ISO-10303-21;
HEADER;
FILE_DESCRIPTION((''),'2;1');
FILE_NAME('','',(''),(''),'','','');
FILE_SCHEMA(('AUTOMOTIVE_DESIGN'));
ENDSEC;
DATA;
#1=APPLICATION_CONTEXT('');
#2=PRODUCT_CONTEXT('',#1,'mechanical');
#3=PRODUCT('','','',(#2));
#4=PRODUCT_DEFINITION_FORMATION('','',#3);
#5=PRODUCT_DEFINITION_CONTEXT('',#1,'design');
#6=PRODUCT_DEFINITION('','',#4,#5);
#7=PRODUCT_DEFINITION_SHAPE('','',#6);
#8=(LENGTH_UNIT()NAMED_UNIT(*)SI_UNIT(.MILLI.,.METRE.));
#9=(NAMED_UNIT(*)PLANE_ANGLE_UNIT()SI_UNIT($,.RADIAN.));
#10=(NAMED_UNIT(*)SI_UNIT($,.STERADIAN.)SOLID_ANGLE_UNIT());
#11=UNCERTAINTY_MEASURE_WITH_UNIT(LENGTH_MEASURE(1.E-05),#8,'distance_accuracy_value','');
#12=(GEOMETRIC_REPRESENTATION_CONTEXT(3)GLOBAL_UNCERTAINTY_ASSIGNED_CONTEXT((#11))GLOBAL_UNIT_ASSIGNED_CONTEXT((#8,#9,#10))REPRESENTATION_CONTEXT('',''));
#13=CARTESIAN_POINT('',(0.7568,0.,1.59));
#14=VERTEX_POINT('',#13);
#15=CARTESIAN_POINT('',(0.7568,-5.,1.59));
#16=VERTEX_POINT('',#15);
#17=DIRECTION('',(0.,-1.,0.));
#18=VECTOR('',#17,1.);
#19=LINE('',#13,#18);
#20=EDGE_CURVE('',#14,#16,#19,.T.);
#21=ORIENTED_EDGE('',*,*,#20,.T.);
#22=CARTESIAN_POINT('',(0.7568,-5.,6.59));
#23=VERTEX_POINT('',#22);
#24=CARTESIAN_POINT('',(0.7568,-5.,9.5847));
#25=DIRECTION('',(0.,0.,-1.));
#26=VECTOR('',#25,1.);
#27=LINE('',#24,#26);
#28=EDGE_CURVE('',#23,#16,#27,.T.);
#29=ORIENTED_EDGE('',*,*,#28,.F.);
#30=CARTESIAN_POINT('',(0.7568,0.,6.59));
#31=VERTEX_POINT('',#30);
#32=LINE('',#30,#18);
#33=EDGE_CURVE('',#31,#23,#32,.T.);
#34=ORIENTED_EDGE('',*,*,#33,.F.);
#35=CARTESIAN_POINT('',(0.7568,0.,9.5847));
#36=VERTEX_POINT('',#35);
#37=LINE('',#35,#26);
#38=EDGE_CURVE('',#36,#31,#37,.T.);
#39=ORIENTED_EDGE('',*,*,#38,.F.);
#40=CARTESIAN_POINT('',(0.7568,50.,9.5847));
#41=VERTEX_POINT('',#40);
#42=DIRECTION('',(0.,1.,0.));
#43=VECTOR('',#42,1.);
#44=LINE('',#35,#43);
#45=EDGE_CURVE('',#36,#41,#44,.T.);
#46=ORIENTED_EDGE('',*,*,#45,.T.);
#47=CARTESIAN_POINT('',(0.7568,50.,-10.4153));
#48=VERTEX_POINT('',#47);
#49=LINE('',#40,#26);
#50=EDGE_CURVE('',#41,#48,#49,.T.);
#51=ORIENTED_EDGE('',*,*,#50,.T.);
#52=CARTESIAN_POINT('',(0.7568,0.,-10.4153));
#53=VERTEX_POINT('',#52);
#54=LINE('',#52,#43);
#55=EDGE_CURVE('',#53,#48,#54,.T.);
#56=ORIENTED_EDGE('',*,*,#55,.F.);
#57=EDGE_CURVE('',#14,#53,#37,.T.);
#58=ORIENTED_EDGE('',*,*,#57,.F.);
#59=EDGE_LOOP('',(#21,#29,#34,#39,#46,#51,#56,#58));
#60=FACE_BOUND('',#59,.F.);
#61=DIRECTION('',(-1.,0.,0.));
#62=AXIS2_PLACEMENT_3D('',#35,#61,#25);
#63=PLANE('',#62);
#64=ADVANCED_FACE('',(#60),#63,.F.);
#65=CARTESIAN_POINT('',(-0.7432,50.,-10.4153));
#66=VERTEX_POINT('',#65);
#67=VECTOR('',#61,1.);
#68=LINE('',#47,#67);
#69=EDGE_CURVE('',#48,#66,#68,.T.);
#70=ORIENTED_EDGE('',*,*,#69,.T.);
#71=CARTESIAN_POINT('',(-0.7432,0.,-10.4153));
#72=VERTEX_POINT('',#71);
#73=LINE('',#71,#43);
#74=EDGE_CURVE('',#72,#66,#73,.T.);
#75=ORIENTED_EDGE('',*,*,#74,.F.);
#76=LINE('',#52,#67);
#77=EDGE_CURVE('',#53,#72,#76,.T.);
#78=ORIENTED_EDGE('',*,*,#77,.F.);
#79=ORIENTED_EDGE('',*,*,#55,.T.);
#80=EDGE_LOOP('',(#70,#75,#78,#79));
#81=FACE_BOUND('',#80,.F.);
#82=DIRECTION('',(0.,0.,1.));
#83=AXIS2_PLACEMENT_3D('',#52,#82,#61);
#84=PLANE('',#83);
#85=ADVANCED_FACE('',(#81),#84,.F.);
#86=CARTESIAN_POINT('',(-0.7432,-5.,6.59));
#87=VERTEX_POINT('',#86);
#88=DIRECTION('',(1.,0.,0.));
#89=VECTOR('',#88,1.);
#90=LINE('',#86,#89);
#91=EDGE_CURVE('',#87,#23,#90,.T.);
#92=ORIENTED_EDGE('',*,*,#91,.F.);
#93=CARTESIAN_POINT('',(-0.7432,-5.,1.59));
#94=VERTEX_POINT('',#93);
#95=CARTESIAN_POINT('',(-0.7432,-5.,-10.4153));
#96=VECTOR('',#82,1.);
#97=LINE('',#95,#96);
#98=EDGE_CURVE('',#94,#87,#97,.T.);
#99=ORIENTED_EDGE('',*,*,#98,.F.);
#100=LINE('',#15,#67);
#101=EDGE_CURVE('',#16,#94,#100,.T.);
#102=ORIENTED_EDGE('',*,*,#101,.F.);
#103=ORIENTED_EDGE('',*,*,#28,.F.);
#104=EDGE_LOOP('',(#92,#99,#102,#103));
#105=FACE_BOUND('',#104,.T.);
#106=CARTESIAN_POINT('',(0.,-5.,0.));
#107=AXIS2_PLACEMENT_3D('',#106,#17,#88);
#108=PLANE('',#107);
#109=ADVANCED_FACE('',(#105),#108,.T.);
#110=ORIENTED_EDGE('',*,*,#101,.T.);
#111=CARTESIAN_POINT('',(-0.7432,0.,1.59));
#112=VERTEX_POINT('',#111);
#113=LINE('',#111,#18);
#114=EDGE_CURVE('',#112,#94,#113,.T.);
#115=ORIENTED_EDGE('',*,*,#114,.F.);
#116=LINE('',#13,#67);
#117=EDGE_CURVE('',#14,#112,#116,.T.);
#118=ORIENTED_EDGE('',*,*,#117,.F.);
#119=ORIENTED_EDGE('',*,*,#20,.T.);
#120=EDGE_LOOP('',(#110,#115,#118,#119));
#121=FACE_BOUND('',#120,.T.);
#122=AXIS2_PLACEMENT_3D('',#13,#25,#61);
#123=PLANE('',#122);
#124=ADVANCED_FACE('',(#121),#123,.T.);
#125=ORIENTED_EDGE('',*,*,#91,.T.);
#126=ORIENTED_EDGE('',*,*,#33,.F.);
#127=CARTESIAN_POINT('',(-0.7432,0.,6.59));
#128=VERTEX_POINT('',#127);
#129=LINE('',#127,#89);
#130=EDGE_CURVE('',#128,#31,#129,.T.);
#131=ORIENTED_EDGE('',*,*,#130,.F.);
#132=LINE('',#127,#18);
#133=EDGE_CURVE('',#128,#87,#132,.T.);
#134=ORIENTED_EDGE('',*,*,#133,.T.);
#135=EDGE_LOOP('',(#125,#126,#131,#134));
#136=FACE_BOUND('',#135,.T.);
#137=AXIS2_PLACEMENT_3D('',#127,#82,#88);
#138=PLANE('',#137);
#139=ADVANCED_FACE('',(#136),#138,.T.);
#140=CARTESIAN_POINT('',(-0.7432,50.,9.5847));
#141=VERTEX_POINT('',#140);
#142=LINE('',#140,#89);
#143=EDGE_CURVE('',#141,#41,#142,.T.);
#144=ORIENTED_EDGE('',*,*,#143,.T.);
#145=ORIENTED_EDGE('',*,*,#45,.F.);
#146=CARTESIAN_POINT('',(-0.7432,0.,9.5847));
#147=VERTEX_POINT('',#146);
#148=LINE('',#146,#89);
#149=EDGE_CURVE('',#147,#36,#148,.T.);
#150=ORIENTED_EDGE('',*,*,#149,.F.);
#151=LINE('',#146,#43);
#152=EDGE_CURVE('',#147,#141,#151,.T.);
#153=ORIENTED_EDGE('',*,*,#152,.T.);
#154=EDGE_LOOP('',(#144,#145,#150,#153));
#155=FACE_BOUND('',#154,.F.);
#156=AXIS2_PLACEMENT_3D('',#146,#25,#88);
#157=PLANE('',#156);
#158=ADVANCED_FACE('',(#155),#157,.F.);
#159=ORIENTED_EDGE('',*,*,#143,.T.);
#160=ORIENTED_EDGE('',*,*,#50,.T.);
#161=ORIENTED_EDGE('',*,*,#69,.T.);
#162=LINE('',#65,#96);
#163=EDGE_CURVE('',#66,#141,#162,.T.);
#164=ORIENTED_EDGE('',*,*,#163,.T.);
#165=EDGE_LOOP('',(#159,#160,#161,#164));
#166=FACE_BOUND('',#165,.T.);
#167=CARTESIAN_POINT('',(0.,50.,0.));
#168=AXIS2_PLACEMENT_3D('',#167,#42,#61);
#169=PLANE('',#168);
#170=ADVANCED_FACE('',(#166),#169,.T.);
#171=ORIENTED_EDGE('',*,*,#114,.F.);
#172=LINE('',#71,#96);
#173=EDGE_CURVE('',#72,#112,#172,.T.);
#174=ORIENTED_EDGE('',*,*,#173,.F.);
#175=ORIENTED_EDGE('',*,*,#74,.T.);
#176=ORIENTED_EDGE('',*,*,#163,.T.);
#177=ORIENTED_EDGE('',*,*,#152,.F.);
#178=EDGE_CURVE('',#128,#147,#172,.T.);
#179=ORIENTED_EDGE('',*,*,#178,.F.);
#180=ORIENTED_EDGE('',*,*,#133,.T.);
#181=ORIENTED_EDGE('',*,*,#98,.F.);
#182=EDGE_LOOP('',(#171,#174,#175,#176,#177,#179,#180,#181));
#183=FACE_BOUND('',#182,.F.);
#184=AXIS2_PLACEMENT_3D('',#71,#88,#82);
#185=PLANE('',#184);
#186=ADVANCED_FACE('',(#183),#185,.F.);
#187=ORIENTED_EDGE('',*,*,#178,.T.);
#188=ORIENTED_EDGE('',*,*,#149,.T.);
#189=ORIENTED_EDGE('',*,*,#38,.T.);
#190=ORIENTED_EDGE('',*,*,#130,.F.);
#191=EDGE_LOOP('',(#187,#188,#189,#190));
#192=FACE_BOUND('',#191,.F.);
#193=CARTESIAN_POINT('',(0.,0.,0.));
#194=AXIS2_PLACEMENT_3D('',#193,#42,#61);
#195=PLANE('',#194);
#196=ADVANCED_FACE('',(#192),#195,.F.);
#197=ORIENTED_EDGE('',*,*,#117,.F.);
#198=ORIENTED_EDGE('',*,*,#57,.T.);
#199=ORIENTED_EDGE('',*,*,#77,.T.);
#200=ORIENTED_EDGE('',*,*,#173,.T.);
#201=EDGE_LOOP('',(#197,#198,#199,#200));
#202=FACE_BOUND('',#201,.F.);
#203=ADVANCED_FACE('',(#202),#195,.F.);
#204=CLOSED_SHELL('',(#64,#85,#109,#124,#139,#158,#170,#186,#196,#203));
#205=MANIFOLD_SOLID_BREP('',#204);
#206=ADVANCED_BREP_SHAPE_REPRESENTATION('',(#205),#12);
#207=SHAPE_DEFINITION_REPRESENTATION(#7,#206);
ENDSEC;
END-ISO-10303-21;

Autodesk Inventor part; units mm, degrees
ref_plane "YZ Plane" through (0, 0, 0) normal (1, 0, 0) x (0, 1, 0)
ref_plane "XZ Plane" through (0, 0, 0) normal (0, 1, 0) x (-1, 0, 0)
ref_plane "XY Plane" through (0, 0, 0) normal (0, 0, 1) x (1, 0, 0)
sketch "Sketch1" plane through (0, 0, 0) normal (0, 1, 0) x (-1, 0, 0)
  line L0 (0.7432, 9.5847) -> (-0.7568, 9.5847)
  line L1 (-0.7568, 9.5847) -> (-0.7568, -10.4153)
  line L2 (-0.7568, -10.4153) -> (0.7432, -10.4153)
  line L3 (0.7432, -10.4153) -> (0.7432, 9.5847)
  point P0 (0, 0)
  dimension "d0" = 20
  dimension "d1" = 1.5
extrude "Extrusion1" add sketch "Sketch1" along normal blind 50
sketch "Sketch3" plane through (0, 0, 0) normal (0, -1, 0) x (1, 0, 0)
  line L0 (-0.7432, -10.4153) -> (-0.7432, 9.5847) projected
  line L1 (0.7568, 9.5847) -> (0.7568, -10.4153) projected
  line L2 (-0.7432, 6.59) -> (0.7568, 6.59)
  line L3 (0.7568, 6.59) -> (0.7568, 1.59)
  line L4 (0.7568, 1.59) -> (-0.7432, 1.59)
  line L5 (-0.7432, 1.59) -> (-0.7432, 6.59)
  line L6 (-0.7432, -2.11) -> (0.7568, -2.11)
  line L7 (0.7568, -2.11) -> (0.7568, -7.11)
  line L8 (0.7568, -7.11) -> (-0.7432, -7.11)
  line L9 (-0.7432, -7.11) -> (-0.7432, -2.11)
  point P0 (0, 0)
  point P1 (-0.7432, 1.59)
  point P2 (0.7568, 6.59)
  dimension "d4" = 5
  dimension "d5" = 5
extrude "Extrusion2" add sketch "Sketch3" along normal blind 5 contours L0 L2 L1 L4
properties part number "Arcylic_Panel_Base_20mm_P1"
